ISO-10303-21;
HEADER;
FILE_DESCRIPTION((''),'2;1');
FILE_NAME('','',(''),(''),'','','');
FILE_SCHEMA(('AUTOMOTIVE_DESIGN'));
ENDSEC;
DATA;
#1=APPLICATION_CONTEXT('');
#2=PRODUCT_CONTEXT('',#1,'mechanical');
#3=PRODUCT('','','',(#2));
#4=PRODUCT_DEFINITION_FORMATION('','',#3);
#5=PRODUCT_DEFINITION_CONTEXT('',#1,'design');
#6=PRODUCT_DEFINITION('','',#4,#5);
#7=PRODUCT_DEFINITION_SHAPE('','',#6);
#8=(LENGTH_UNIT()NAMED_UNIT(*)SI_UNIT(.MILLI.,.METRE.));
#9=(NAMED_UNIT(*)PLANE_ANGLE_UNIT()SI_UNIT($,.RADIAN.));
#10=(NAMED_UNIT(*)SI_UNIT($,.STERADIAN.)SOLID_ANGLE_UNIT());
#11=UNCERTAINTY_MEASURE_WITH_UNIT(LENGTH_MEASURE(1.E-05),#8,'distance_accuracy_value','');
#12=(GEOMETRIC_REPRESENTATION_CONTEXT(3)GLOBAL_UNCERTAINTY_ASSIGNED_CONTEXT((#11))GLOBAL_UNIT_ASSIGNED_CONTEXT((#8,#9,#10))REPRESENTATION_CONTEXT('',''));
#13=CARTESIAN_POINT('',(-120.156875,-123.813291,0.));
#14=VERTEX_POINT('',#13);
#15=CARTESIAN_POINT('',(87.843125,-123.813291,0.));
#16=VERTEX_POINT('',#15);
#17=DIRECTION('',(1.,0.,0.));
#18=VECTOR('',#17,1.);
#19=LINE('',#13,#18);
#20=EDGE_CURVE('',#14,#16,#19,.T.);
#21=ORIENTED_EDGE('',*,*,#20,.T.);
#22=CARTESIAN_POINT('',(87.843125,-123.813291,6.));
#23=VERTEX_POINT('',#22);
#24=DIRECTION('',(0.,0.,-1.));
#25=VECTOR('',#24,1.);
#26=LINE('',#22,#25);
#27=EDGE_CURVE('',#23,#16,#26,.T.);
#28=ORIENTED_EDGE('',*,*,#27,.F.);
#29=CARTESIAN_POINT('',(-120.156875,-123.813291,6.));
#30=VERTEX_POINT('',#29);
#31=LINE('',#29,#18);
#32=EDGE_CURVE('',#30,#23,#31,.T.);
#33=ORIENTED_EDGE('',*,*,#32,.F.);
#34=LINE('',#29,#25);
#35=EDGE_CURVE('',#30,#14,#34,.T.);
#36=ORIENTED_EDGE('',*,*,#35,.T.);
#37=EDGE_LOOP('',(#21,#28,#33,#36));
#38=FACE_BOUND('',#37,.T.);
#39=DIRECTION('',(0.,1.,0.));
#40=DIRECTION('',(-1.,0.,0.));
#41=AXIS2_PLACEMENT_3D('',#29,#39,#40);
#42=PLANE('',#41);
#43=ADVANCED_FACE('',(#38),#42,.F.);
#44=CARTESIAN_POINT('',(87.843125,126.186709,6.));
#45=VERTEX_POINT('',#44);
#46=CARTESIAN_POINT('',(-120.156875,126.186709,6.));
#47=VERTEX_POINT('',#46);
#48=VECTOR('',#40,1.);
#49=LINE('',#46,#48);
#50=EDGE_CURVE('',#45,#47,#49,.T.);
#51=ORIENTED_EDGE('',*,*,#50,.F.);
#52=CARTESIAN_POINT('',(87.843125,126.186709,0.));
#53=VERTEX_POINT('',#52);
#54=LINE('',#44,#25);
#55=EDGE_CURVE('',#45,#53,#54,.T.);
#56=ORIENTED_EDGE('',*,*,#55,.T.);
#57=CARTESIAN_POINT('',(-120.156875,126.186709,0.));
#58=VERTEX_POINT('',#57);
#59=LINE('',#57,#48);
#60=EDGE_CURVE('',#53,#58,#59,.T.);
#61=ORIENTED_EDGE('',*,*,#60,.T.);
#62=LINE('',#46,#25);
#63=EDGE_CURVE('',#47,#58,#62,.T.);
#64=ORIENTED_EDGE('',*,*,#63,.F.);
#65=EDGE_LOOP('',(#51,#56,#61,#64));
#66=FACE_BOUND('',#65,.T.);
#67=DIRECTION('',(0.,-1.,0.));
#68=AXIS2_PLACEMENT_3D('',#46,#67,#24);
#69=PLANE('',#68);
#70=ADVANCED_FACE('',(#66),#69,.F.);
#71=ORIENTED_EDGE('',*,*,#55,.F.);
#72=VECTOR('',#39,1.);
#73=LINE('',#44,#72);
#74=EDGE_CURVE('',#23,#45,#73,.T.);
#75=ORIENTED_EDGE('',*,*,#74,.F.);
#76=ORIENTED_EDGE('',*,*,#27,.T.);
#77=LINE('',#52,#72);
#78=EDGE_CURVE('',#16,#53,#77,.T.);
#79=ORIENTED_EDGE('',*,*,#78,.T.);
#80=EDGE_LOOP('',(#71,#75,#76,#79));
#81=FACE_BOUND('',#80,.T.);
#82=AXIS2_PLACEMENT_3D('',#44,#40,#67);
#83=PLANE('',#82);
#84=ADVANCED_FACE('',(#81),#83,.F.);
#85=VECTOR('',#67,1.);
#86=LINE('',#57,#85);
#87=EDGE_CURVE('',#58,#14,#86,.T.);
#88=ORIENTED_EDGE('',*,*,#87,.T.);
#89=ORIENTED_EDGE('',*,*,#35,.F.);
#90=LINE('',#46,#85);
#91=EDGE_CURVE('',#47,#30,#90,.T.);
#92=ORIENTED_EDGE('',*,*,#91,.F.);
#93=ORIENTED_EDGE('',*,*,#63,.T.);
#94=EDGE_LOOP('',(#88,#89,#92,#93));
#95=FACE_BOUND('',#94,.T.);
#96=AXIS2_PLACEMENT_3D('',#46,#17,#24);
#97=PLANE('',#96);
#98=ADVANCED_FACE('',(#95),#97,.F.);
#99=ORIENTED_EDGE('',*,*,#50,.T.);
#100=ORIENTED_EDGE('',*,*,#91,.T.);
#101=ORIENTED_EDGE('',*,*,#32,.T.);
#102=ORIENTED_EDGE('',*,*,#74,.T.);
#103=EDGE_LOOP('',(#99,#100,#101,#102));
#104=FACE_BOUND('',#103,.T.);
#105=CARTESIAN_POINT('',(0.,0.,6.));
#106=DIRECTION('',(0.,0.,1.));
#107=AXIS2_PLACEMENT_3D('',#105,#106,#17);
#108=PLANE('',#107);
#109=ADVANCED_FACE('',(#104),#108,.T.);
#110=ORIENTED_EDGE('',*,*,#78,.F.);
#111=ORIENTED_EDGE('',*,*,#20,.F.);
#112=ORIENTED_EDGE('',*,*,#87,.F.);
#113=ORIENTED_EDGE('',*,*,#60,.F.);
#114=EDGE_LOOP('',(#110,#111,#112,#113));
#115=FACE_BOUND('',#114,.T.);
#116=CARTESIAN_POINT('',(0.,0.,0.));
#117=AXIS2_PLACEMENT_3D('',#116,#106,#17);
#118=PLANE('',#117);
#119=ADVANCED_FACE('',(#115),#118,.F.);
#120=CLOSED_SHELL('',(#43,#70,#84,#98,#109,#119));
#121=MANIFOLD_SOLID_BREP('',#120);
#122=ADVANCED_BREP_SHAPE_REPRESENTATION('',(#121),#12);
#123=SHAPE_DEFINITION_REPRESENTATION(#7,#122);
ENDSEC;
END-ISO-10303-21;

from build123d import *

# Parameters (mm, degrees)
ESQUISSE1_W        = 208
ESQUISSE1_H        = 250
BOSS_EXTRU_1_DEPTH = 6


with BuildPart() as part:
    # Esquisse1 → Boss.-Extru.1 (new body)
    with BuildSketch(Plane.XY):
        with Locations((-16.156874584, 1.186708861)):
            Rectangle(ESQUISSE1_W, ESQUISSE1_H)
    extrude(amount=BOSS_EXTRU_1_DEPTH)


solid = part.part
